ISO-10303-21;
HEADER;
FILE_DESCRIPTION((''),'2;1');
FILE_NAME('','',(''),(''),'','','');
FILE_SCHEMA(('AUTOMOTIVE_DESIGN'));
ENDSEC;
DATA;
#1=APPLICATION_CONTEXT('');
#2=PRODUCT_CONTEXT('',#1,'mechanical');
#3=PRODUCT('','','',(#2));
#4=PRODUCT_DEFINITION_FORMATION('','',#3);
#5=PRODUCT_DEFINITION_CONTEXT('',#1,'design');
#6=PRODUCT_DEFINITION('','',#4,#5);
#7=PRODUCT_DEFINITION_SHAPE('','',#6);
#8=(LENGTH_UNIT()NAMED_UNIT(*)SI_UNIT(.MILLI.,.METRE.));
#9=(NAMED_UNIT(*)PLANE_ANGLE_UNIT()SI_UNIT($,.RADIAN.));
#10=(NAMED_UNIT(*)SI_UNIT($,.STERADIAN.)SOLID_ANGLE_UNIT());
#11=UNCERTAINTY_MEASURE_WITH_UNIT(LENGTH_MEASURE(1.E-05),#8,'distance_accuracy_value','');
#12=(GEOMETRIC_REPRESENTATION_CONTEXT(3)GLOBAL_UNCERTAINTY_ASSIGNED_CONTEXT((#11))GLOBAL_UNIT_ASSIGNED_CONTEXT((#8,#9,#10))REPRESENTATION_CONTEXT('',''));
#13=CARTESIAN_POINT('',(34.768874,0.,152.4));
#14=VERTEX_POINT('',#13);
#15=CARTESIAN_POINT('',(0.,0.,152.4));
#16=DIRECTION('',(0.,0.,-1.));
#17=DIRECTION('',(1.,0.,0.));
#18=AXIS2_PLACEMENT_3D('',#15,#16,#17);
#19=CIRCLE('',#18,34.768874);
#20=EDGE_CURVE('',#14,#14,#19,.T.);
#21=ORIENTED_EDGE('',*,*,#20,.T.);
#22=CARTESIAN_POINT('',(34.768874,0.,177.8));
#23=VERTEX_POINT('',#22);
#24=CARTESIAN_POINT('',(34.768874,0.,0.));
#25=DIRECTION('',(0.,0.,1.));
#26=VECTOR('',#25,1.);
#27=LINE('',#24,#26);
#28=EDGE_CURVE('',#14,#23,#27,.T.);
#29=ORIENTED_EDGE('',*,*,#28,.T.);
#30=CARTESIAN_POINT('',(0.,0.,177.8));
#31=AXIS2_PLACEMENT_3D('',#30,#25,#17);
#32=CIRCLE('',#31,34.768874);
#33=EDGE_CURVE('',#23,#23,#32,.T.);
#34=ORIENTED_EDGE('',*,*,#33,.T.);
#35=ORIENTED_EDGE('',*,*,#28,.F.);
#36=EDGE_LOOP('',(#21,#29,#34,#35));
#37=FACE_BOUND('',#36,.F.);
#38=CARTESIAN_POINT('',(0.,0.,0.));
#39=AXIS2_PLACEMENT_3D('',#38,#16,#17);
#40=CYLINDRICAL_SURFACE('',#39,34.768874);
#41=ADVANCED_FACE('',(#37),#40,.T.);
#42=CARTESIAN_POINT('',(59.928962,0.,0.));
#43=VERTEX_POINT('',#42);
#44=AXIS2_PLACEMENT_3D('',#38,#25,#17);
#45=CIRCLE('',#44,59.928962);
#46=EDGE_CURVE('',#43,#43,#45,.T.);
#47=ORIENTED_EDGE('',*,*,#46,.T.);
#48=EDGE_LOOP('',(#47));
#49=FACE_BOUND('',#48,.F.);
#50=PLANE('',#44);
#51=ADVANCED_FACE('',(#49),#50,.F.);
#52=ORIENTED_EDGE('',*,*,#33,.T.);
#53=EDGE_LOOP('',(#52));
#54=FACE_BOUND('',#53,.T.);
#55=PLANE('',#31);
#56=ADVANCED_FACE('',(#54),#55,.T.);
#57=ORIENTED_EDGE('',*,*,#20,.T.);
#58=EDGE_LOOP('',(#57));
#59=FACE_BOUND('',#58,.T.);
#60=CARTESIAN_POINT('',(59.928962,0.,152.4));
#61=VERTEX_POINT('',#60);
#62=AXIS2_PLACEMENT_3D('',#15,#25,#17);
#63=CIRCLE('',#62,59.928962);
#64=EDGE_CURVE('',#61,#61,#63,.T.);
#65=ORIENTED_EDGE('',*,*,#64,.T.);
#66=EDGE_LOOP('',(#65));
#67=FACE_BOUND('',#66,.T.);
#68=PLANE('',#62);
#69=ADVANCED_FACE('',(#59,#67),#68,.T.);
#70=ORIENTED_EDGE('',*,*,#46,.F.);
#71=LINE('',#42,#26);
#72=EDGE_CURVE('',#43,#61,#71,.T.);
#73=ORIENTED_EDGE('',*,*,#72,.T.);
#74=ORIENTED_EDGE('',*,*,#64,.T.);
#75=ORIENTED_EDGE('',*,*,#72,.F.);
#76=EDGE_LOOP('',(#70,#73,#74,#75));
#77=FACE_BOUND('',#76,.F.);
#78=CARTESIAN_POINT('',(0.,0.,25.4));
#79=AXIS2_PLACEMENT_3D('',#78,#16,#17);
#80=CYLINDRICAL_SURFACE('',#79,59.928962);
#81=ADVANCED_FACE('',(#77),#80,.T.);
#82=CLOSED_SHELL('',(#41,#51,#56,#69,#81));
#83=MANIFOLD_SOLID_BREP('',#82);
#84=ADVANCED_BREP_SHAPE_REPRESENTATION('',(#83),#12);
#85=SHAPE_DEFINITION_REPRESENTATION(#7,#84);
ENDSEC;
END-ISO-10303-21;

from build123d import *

# Parameters (mm, degrees)
F0_R     = 59.9289623747
F0_R_2   = 51.785848785
F1_DEPTH = 127
F3_DEPTH = 101.6
F4_DEPTH = 127
F5_R     = 34.7688744337
F6_DEPTH = 177.8


with BuildPart() as f1:
    # F0 (on Top) → F1 (new body)
    with BuildSketch(Plane.XY):
        Circle(F0_R)
        Circle(F0_R_2, mode=Mode.SUBTRACT)
        Circle(F0_R_2)
    extrude(amount=F1_DEPTH)

    # F3 (cut): a face of the model
    f3_faces = [f1.faces().sort_by_distance(p)[0] for p in [
        (0, 0, 127),
    ]]
    extrude(f3_faces, amount=-F3_DEPTH, mode=Mode.SUBTRACT)

    # F4 (add): a face of the model
    f4_faces = [f1.faces().sort_by_distance(p)[0] for p in [
        (0, 0, 25.4),
    ]]
    extrude(f4_faces, amount=F4_DEPTH)

    # F5 (on Top) → F6 (join)
    with BuildSketch(Plane.XY):
        Circle(F5_R)
    extrude(amount=F6_DEPTH)


solid = f1.part
